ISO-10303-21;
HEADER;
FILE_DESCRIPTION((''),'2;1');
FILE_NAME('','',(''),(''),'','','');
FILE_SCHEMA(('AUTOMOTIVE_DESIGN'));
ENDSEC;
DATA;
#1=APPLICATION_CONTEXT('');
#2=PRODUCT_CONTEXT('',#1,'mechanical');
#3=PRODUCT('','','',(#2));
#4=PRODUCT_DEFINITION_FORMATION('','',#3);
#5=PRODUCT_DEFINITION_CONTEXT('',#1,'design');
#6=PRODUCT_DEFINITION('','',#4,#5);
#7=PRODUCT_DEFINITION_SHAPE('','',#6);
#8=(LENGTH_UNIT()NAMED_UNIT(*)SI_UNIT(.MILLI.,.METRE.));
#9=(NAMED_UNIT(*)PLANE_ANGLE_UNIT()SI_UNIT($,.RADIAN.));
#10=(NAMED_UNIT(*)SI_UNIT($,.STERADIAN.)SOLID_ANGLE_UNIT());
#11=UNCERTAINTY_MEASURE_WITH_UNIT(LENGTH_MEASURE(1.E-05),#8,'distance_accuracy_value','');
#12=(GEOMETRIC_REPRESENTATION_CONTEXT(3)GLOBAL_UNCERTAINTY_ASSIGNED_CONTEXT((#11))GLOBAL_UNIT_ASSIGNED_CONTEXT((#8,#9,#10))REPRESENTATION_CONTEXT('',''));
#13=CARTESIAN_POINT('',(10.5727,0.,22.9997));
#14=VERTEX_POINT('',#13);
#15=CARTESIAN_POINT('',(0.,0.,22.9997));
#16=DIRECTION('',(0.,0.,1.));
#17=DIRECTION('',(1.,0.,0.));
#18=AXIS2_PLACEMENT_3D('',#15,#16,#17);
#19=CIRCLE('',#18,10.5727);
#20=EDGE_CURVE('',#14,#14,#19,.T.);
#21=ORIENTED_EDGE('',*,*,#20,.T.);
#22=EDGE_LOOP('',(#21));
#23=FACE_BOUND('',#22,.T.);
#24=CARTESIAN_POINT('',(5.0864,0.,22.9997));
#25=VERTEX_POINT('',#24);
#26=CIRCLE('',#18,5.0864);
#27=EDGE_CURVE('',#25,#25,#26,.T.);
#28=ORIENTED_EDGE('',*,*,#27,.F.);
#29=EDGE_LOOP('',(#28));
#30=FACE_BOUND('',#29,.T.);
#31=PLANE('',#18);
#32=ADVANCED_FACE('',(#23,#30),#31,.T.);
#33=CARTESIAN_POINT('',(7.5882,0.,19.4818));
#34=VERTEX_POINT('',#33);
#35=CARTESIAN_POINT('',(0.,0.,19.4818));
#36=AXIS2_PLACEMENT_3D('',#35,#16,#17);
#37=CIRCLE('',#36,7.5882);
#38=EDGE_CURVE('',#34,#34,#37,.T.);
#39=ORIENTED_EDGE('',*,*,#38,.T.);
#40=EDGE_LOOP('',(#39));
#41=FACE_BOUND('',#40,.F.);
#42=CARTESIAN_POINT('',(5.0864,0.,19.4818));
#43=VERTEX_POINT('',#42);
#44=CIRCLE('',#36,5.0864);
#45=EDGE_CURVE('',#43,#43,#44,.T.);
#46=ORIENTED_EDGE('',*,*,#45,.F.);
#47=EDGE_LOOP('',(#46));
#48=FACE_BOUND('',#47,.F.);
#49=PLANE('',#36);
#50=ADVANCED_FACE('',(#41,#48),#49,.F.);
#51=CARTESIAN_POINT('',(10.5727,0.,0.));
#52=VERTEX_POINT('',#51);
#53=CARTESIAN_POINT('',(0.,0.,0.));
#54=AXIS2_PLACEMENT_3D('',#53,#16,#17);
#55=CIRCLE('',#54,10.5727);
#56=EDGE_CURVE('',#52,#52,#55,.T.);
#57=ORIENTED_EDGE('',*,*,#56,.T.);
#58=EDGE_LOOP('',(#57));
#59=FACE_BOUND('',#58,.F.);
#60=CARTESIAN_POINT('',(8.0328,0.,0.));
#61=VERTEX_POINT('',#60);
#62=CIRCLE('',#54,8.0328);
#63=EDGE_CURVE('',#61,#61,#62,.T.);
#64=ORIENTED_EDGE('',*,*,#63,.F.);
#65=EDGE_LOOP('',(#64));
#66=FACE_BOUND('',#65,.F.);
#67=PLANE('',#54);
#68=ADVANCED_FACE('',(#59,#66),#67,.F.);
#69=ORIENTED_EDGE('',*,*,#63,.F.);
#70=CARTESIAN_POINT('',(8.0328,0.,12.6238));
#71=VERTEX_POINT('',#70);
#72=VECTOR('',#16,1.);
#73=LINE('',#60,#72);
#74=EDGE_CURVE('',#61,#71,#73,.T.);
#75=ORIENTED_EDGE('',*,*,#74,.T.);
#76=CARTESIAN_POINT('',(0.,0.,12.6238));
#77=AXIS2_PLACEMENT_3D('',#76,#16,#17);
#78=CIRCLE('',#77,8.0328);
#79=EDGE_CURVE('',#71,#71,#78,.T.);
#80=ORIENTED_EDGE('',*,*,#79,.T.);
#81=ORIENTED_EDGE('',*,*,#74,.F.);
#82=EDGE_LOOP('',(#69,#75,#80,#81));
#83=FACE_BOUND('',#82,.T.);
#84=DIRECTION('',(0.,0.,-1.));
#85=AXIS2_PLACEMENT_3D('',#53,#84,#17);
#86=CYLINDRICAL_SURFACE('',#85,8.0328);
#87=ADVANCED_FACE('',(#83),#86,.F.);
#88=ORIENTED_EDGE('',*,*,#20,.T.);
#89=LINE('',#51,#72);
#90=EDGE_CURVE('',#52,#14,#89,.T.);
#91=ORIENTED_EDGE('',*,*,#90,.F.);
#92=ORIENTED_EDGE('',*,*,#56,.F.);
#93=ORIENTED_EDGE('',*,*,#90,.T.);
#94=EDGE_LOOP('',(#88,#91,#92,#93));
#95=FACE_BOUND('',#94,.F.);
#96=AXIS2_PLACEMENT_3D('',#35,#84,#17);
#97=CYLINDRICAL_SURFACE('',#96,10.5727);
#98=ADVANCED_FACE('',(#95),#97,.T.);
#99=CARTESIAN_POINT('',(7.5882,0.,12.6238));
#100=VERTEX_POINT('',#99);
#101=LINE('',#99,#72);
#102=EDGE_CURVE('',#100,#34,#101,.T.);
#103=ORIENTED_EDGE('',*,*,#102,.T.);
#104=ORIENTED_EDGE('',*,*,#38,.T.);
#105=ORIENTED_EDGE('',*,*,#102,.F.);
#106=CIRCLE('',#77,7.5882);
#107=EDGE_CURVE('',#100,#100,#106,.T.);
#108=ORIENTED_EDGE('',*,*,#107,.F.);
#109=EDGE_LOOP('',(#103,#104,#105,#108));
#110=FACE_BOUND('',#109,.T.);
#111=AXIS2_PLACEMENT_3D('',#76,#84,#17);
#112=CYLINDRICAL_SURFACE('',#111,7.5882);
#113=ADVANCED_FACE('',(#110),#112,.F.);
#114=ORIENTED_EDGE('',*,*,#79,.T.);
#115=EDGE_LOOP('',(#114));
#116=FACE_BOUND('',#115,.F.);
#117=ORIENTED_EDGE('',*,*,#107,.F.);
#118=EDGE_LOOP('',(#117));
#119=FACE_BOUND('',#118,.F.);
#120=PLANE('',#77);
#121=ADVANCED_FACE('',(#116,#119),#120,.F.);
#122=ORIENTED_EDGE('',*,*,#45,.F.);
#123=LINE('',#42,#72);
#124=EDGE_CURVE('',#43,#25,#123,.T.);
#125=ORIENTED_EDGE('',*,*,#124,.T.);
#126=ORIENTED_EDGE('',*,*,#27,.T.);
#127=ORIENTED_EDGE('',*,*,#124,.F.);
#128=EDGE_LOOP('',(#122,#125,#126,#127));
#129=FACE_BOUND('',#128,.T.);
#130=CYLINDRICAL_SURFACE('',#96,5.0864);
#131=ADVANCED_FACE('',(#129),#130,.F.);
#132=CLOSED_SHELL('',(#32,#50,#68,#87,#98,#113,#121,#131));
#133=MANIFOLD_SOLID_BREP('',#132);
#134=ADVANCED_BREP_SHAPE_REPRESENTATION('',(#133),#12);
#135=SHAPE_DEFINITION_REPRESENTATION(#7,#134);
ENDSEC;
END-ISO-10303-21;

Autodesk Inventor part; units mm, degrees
ref_plane "YZ Plane" through (0, 0, 0) normal (1, 0, 0) x (0, 1, 0)
ref_plane "XZ Plane" through (0, 0, 0) normal (0, 1, 0) x (-1, 0, 0)
ref_plane "XY Plane" through (0, 0, 0) normal (0, 0, 1) x (1, 0, 0)
sketch "Sketch1" plane through (0, 0, 0) normal (0, 0, 1) x (1, 0, 0)
  circle A0 centre (0, 0) radius 8.0328
  circle A1 centre (0, 0) radius 10.5727
  dimension "d0" = 16.0655
  dimension "d3" = 2.54
extrude "Extrusion1" add sketch "Sketch1" along normal blind 6.35
sketch "Sketch3" plane through (0, 0, 6.35) normal (0, 0, 1) x (1, 0, 0)
  circle A0 centre (0, 0) radius 10.5727 projected
  circle A1 centre (0, 0) radius 10.5727
  circle A2 centre (0, 0) radius 8.0328
  circle A3 centre (0, 0) radius 8.0328 projected
extrude "Extrusion2" add sketch "Sketch3" along normal blind 6.2738
sketch "Sketch7" plane through (0, 0, 12.6238) normal (0, 0, 1) x (1, 0, 0)
  circle A0 centre (0, 0) radius 10.5727 projected
  circle A1 centre (0, 0) radius 7.5882
  dimension "d12" = 15.1765
extrude "Extrusion4" add sketch "Sketch7" along normal blind 6.858
sketch "Sketch8" plane through (0, 0, 19.4818) normal (0, 0, 1) x (1, 0, 0)
  circle A0 centre (0, 0) radius 10.5727 projected
  circle A1 centre (0, 0) radius 5.0864
  dimension "d15" = 10.1727
extrude "Extrusion5" add sketch "Sketch8" along normal blind 3.5179
properties part number "Magnet to Igus adapter"
